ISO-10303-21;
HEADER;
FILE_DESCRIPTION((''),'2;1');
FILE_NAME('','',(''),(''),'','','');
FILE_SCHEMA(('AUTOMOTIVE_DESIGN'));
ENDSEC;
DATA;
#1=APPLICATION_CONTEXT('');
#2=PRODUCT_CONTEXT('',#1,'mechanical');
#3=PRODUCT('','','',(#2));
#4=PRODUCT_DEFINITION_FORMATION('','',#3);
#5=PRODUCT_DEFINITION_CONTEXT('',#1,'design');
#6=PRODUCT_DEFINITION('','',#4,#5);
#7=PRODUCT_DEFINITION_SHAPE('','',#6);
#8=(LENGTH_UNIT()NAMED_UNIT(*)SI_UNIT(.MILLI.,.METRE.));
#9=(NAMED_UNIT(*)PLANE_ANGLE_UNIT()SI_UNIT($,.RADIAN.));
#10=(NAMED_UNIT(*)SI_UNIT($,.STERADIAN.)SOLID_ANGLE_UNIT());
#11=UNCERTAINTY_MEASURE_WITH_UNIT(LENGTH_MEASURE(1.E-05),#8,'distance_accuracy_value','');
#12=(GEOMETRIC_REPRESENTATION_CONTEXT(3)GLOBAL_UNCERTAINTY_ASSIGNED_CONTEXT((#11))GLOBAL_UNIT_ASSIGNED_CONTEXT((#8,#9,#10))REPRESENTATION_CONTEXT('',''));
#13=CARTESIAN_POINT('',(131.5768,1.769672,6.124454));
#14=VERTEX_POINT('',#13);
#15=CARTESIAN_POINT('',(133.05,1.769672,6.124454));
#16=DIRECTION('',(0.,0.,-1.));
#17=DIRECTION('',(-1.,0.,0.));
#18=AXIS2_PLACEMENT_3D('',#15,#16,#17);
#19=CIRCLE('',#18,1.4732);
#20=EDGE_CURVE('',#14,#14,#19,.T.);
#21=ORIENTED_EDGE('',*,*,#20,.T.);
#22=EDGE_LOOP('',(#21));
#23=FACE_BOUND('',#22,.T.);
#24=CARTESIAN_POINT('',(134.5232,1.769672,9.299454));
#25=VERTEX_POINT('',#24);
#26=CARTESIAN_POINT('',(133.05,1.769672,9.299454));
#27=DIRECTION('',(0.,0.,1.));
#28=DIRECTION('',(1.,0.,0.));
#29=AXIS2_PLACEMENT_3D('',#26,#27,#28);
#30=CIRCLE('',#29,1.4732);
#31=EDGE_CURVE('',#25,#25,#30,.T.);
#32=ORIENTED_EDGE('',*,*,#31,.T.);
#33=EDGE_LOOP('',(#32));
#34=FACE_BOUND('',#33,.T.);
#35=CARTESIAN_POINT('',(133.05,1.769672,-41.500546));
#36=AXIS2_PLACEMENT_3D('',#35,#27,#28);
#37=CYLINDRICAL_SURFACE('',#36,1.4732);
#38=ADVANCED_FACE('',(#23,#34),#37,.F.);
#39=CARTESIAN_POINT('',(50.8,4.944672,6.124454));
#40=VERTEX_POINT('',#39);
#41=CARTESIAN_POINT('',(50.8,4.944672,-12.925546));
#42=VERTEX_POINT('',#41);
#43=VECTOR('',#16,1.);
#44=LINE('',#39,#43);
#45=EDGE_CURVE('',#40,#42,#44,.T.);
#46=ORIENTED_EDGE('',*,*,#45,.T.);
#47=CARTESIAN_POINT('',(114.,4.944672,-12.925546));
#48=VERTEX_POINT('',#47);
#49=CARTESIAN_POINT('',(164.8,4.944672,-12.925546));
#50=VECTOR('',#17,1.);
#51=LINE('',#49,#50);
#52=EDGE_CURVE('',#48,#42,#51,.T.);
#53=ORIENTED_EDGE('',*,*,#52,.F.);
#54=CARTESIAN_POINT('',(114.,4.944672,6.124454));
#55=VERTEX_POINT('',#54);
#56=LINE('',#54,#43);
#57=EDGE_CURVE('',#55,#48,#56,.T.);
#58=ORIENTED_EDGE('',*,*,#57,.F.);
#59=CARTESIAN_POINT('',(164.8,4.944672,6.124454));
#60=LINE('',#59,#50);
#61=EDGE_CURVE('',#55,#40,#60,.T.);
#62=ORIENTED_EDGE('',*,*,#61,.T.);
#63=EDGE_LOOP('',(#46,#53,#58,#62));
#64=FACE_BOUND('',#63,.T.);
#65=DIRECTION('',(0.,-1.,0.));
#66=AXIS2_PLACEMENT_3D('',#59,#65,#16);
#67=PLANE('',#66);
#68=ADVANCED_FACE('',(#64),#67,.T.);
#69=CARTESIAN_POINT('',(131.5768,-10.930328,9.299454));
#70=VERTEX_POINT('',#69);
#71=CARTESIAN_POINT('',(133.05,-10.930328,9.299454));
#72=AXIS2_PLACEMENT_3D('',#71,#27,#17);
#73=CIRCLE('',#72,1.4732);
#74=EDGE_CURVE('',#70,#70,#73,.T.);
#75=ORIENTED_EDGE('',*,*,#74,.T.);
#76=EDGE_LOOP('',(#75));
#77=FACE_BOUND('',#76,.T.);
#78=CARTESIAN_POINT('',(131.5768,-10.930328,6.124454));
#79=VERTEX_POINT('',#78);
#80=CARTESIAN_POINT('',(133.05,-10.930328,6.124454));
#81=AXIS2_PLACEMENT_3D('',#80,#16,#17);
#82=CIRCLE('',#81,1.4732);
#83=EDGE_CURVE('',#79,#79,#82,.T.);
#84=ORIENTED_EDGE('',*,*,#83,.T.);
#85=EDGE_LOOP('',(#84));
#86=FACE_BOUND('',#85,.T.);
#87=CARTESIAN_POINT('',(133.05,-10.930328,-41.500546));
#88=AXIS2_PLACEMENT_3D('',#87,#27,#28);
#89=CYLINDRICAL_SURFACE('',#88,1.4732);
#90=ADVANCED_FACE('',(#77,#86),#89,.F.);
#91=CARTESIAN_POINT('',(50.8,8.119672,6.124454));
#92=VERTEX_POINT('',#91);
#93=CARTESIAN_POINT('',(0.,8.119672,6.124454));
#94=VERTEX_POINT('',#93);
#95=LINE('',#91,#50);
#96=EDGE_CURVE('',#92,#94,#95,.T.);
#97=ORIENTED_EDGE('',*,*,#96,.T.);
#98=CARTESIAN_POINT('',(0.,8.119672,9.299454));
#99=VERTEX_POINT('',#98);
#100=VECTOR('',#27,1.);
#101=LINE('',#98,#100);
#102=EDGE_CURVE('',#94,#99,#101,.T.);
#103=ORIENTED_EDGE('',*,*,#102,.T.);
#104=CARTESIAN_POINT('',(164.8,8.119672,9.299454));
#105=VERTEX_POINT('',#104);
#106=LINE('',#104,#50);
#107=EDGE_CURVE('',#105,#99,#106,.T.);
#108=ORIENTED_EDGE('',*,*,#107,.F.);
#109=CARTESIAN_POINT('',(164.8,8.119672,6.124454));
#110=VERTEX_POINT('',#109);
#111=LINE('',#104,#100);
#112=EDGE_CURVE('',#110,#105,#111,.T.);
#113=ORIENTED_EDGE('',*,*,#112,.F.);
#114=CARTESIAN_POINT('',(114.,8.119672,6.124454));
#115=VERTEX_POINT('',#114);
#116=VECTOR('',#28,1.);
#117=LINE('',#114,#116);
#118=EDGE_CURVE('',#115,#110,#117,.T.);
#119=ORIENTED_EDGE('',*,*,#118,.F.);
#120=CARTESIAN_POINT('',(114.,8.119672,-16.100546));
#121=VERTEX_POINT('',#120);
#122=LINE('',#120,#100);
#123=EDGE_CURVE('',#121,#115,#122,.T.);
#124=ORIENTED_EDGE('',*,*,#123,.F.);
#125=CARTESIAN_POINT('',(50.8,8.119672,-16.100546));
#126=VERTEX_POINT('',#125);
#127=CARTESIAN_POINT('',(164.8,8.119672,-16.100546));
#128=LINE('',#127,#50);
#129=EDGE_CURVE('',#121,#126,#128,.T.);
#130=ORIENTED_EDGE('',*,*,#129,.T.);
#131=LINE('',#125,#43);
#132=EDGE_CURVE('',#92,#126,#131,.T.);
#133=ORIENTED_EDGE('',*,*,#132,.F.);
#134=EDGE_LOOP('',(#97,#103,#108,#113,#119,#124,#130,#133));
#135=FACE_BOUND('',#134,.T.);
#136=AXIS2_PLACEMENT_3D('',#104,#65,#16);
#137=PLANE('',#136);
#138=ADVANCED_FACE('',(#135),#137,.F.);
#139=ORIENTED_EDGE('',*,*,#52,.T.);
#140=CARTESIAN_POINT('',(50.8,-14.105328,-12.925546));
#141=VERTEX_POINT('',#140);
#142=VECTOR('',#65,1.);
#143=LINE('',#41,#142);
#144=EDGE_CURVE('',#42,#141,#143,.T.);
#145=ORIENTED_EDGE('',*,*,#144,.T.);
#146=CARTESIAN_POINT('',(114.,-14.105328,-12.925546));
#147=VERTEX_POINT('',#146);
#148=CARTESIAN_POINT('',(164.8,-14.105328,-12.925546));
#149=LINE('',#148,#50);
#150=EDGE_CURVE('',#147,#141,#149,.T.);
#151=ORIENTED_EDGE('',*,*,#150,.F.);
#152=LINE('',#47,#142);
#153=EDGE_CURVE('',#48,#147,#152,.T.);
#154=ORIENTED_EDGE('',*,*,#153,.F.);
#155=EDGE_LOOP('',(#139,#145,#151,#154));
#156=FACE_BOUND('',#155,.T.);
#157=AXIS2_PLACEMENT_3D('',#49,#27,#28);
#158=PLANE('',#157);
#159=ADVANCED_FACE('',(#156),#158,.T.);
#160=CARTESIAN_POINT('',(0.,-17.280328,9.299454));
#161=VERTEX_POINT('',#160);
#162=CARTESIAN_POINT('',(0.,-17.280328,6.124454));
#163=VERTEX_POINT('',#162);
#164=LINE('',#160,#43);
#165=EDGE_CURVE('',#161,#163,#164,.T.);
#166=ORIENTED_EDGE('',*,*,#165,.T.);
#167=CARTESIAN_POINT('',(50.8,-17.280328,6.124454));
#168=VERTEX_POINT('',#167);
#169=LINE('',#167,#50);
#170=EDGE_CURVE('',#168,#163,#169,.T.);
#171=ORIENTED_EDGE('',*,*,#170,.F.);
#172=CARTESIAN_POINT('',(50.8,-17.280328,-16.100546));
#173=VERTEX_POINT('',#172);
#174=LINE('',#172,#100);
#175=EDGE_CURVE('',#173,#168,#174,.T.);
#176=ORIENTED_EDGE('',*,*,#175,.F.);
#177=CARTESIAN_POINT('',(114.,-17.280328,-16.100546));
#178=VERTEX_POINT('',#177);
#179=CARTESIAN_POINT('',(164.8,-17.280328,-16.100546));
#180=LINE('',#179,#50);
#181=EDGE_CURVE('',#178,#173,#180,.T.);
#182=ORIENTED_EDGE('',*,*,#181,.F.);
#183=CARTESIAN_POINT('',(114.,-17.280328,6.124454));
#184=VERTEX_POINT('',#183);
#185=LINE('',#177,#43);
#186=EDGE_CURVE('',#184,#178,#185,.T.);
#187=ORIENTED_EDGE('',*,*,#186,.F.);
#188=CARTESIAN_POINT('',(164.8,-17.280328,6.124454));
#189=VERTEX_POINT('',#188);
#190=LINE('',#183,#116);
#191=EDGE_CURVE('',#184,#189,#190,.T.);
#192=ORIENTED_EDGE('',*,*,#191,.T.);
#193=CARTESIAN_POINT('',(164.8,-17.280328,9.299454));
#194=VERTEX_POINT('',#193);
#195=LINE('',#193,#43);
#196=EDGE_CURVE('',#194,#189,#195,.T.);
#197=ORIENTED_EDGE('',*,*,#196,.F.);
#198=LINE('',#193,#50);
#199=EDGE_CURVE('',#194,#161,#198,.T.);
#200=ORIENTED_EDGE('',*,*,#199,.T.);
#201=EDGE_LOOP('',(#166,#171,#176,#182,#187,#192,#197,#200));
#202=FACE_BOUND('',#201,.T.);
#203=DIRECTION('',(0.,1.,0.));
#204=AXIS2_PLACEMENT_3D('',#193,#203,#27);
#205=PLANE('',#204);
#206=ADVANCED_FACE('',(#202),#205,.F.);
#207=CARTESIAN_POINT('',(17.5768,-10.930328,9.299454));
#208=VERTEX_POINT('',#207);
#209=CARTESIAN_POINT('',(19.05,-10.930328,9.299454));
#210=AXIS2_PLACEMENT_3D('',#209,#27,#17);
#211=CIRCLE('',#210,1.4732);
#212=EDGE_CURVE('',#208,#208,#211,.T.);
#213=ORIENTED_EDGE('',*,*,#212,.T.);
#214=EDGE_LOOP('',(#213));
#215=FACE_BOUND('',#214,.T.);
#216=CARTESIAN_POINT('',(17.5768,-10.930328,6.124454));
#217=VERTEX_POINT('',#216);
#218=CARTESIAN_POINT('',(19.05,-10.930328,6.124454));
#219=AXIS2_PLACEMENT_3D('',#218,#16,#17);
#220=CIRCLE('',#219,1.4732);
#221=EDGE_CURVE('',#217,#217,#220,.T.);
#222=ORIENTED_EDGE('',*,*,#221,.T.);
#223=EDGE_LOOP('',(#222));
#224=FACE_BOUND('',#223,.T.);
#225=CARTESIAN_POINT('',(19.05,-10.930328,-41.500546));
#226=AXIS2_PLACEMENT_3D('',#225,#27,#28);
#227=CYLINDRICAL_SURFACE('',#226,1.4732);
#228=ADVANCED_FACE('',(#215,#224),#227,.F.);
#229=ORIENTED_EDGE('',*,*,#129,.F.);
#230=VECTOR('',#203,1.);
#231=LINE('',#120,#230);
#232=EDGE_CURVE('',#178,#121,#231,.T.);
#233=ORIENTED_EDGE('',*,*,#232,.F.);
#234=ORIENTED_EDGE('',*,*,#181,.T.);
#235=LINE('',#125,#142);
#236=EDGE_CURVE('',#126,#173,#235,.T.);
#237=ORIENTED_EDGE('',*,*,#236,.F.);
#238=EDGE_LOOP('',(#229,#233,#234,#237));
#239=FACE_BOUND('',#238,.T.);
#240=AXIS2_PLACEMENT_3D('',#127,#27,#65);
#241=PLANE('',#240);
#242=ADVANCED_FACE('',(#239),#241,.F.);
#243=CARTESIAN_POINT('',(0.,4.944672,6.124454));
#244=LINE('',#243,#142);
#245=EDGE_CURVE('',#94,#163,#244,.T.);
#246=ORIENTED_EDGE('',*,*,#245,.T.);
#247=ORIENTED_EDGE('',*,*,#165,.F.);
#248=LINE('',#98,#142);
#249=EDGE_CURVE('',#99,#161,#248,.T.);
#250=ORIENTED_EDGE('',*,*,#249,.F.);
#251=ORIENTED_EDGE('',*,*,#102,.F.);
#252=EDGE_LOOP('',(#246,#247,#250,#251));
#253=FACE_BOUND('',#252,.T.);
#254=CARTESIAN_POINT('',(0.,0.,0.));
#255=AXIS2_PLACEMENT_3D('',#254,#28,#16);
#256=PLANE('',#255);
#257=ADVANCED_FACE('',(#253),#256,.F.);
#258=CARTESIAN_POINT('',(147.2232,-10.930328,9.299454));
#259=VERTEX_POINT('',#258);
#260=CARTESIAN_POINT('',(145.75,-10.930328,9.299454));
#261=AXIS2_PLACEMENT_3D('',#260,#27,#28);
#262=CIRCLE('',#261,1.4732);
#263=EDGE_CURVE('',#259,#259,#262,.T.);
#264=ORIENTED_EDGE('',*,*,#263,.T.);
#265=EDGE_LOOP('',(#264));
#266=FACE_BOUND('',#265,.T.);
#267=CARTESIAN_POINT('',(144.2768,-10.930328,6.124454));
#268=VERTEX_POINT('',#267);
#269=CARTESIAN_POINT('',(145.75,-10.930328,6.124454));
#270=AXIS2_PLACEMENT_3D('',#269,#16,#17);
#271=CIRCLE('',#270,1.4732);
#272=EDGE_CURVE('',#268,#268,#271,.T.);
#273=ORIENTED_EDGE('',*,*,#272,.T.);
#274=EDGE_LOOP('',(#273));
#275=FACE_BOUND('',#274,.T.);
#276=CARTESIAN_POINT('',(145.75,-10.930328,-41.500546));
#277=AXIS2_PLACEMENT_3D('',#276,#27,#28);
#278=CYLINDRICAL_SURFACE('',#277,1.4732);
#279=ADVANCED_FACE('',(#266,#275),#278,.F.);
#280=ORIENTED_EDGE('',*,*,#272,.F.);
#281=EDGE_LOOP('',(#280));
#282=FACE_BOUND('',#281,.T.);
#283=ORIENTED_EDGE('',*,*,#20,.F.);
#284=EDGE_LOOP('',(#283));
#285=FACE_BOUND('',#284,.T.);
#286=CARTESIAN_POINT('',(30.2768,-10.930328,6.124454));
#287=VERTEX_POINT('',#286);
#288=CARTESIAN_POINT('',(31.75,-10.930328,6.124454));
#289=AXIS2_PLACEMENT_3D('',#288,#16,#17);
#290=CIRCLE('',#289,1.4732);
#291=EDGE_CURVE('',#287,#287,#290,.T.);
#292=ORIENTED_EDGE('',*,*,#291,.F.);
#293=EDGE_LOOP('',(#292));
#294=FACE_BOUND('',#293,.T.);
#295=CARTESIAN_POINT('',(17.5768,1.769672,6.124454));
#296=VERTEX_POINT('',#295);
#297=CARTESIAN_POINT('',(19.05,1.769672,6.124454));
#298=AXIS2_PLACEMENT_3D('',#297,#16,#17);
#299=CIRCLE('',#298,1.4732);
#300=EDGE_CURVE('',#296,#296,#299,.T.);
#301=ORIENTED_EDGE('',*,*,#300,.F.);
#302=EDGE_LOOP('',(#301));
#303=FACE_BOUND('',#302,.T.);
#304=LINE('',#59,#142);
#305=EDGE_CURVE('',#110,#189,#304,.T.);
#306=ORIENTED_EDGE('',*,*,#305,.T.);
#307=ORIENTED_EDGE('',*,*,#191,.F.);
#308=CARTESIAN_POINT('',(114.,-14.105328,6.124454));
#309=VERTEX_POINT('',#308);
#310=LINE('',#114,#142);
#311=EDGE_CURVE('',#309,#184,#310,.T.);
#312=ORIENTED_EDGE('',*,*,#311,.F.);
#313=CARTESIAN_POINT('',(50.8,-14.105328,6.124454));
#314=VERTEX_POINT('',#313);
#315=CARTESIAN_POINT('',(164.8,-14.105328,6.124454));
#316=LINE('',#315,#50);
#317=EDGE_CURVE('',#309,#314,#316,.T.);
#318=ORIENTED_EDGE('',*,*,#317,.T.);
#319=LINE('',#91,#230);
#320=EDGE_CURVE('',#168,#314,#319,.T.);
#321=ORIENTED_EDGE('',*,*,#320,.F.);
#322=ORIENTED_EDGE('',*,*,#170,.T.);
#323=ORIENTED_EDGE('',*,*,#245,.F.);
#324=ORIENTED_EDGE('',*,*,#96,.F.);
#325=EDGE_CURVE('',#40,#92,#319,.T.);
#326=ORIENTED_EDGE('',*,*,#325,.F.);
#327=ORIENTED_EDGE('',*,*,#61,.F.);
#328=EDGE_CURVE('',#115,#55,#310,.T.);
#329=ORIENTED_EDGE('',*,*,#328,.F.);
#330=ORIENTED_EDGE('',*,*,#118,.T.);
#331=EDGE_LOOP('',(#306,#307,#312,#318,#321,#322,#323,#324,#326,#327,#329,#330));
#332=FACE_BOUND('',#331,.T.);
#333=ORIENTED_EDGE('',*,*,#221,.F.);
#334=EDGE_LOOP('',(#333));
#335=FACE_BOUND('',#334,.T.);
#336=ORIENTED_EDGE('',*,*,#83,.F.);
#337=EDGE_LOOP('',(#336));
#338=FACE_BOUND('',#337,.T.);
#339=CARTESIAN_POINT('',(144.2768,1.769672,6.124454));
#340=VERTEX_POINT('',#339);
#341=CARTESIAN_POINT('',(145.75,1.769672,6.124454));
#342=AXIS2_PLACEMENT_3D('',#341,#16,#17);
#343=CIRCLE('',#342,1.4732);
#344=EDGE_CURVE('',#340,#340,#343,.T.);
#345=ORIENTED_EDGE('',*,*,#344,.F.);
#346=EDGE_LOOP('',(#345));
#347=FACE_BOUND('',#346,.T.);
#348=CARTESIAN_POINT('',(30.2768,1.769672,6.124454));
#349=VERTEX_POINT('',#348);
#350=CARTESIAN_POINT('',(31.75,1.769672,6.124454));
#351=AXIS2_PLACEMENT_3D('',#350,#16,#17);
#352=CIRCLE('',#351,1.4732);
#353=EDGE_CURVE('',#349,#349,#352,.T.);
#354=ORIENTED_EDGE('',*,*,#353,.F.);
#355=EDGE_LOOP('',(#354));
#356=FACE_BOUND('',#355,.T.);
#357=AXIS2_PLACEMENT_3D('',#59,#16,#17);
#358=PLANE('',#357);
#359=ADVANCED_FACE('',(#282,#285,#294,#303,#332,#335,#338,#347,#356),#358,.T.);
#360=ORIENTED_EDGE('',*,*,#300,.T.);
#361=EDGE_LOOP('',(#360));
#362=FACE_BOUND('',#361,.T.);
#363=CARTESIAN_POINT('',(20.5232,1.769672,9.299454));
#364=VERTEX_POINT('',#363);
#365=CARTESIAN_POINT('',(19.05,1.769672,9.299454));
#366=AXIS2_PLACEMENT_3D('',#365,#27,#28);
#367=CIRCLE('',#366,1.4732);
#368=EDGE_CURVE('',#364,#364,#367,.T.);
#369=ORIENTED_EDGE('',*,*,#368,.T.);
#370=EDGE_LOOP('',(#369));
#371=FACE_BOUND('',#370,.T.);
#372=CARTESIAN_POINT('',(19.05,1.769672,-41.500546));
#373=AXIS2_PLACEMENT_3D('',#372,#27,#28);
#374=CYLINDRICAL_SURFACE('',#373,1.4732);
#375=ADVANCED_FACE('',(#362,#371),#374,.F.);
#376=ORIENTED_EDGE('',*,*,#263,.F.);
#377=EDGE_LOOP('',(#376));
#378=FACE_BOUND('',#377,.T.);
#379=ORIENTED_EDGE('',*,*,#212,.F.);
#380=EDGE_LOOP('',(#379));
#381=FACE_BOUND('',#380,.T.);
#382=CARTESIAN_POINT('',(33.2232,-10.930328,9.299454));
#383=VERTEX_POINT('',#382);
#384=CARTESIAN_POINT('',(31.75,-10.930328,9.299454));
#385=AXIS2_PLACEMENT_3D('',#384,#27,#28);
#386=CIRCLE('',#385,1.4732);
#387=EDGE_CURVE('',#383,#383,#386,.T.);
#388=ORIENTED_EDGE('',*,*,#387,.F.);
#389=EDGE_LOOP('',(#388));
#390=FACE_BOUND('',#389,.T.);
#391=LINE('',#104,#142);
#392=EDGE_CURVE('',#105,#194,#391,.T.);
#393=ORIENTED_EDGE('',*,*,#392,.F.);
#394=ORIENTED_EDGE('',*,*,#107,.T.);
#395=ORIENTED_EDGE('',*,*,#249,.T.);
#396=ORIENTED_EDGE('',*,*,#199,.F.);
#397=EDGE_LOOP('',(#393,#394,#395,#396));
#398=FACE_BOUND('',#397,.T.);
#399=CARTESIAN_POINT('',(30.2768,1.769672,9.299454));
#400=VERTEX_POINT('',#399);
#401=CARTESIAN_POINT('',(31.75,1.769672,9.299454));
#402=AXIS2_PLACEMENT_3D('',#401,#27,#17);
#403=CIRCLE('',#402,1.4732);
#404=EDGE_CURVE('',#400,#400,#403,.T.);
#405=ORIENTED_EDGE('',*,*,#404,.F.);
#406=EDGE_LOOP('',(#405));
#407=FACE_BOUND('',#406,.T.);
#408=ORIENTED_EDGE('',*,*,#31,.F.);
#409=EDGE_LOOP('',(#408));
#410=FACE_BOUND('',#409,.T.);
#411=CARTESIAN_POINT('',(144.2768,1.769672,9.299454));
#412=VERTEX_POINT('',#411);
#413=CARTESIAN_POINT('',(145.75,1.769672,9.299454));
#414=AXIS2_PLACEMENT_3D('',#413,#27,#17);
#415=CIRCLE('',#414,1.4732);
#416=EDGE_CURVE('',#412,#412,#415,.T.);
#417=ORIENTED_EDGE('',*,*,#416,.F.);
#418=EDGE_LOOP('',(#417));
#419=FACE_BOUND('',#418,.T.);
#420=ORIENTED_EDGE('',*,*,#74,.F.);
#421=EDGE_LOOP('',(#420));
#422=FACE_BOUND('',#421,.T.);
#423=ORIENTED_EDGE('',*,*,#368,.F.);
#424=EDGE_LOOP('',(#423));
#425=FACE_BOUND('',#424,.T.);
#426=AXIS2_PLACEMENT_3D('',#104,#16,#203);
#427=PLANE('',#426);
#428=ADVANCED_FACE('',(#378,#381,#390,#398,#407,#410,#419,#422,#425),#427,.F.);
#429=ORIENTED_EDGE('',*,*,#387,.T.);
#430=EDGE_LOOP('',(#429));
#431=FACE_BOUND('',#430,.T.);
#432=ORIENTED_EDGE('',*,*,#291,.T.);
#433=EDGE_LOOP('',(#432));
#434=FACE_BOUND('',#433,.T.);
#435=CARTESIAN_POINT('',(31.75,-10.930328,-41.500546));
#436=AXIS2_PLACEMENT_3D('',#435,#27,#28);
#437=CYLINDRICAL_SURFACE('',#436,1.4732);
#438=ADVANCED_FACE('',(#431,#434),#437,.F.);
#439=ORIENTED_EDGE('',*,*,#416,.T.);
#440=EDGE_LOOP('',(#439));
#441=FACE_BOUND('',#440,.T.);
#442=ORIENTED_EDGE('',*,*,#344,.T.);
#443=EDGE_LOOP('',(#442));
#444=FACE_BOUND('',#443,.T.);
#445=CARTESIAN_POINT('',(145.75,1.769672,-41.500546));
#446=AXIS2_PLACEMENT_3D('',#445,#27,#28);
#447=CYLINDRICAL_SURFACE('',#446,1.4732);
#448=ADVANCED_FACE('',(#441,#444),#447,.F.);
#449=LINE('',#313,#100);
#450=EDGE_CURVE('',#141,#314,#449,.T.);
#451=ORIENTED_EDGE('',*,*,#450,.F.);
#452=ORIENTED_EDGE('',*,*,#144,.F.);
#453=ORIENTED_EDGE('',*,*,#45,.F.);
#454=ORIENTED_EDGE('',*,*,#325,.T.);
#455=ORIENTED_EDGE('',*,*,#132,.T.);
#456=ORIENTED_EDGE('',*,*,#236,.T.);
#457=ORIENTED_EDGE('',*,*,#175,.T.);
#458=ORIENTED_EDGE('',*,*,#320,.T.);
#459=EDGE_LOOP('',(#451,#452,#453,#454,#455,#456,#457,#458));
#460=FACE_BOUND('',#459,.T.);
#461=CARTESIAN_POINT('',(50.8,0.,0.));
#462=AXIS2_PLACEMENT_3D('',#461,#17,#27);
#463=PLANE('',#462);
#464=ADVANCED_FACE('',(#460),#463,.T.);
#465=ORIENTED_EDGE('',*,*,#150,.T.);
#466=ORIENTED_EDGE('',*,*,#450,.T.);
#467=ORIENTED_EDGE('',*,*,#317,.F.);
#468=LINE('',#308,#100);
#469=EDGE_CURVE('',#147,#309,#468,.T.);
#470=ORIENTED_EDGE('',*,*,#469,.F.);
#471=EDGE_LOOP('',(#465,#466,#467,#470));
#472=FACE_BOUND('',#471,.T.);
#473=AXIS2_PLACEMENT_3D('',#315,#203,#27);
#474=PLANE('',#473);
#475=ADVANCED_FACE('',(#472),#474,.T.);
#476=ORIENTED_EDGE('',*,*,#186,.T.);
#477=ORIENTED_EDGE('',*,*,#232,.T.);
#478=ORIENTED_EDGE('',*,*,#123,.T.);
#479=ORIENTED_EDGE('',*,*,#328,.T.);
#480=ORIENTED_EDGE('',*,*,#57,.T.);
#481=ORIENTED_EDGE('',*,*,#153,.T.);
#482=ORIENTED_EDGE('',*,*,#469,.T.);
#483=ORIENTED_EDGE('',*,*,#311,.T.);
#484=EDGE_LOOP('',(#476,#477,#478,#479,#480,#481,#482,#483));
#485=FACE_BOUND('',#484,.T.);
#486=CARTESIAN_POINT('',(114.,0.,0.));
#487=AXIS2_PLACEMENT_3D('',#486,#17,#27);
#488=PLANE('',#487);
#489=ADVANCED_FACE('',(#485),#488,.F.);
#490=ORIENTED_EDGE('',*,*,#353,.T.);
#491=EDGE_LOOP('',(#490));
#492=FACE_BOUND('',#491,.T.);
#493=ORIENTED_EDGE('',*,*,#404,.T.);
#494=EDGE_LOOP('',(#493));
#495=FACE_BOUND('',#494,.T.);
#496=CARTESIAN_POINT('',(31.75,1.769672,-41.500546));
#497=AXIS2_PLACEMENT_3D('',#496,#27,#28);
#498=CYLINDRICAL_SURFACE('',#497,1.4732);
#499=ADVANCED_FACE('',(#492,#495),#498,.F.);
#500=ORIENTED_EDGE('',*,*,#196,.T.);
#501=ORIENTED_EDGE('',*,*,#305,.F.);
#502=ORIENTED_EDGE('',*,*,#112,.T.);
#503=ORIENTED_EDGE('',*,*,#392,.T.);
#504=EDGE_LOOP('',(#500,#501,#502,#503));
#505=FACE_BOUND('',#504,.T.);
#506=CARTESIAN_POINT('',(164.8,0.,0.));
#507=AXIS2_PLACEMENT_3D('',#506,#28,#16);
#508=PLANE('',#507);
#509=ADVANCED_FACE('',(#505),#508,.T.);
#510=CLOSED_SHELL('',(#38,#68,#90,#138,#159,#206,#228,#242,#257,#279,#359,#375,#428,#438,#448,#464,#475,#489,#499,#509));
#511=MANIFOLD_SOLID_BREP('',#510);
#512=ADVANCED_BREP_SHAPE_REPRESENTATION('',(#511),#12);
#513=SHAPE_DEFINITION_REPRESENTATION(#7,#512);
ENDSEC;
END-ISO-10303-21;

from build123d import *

# Parameters (mm, degrees)
SKETCH1_W           = 25.4
SKETCH1_H           = 25.4
SKETCH1_W_2         = 19.05
SKETCH1_H_2         = 19.05
BOSS_EXTRUDE1_DEPTH = 164.8
SKETCH2_W           = 22.225
SKETCH2_H           = 25.4
CUT_EXTRUDE1_DEPTH  = 50.8
SKETCH3_W           = 22.225
SKETCH3_H           = 25.4
CUT_EXTRUDE2_DEPTH  = 50.8
SKETCH4_R           = 1.4732
CUT_EXTRUDE3_DEPTH  = 50.8


with BuildPart() as part:
    # Sketch1 → Boss-Extrude1 (new body)
    with BuildSketch(Plane(origin=(0, 0, 0), x_dir=(0, 0, -1), z_dir=(1, 0, 0))):
        with Locations((3.400546448, -4.580327869)):
            Rectangle(SKETCH1_W, SKETCH1_H)
        with Locations((3.400546448, -4.580327869)):
            Rectangle(SKETCH1_W_2, SKETCH1_H_2, mode=Mode.SUBTRACT)
    extrude(amount=BOSS_EXTRUDE1_DEPTH)

    # Sketch2 → Cut-Extrude1 (cut)
    with BuildSketch(Plane(origin=(164.8, 0, 0), x_dir=(0, 0, -1), z_dir=(1, 0, 0))):
        with Locations((4.988046448, -4.580327869)):
            Rectangle(SKETCH2_W, SKETCH2_H)
    extrude(amount=-CUT_EXTRUDE1_DEPTH, mode=Mode.SUBTRACT)

    # Sketch3 → Cut-Extrude2 (cut)
    with BuildSketch(Plane.ZY):
        with Locations((-4.988046448, -4.580327869)):
            Rectangle(SKETCH3_W, SKETCH3_H)
    extrude(amount=-CUT_EXTRUDE2_DEPTH, mode=Mode.SUBTRACT)

    # Sketch4 → Cut-Extrude3 (cut)
    with BuildSketch(Plane.XY.offset(9.299453552)):
        with Locations((19.05, 1.769672131)):
            Circle(SKETCH4_R)
        with Locations(Location((31.75, 1.769672131, 0), (0, 0, 180))):
            Circle(SKETCH4_R)
        with Locations((31.75, -10.930327869)):
            Circle(SKETCH4_R)
        with Locations(Location((19.05, -10.930327869, 0), (0, 0, 180))):
            Circle(SKETCH4_R)
        with Locations((145.75, -10.930327869)):
            Circle(SKETCH4_R)
        with Locations(Location((133.05, -10.930327869, 0), (0, 0, 180))):
            Circle(SKETCH4_R)
        with Locations((133.05, 1.769672131)):
            Circle(SKETCH4_R)
        with Locations(Location((145.75, 1.769672131, 0), (0, 0, 180))):
            Circle(SKETCH4_R)
    extrude(amount=-CUT_EXTRUDE3_DEPTH, mode=Mode.SUBTRACT)


solid = part.part
